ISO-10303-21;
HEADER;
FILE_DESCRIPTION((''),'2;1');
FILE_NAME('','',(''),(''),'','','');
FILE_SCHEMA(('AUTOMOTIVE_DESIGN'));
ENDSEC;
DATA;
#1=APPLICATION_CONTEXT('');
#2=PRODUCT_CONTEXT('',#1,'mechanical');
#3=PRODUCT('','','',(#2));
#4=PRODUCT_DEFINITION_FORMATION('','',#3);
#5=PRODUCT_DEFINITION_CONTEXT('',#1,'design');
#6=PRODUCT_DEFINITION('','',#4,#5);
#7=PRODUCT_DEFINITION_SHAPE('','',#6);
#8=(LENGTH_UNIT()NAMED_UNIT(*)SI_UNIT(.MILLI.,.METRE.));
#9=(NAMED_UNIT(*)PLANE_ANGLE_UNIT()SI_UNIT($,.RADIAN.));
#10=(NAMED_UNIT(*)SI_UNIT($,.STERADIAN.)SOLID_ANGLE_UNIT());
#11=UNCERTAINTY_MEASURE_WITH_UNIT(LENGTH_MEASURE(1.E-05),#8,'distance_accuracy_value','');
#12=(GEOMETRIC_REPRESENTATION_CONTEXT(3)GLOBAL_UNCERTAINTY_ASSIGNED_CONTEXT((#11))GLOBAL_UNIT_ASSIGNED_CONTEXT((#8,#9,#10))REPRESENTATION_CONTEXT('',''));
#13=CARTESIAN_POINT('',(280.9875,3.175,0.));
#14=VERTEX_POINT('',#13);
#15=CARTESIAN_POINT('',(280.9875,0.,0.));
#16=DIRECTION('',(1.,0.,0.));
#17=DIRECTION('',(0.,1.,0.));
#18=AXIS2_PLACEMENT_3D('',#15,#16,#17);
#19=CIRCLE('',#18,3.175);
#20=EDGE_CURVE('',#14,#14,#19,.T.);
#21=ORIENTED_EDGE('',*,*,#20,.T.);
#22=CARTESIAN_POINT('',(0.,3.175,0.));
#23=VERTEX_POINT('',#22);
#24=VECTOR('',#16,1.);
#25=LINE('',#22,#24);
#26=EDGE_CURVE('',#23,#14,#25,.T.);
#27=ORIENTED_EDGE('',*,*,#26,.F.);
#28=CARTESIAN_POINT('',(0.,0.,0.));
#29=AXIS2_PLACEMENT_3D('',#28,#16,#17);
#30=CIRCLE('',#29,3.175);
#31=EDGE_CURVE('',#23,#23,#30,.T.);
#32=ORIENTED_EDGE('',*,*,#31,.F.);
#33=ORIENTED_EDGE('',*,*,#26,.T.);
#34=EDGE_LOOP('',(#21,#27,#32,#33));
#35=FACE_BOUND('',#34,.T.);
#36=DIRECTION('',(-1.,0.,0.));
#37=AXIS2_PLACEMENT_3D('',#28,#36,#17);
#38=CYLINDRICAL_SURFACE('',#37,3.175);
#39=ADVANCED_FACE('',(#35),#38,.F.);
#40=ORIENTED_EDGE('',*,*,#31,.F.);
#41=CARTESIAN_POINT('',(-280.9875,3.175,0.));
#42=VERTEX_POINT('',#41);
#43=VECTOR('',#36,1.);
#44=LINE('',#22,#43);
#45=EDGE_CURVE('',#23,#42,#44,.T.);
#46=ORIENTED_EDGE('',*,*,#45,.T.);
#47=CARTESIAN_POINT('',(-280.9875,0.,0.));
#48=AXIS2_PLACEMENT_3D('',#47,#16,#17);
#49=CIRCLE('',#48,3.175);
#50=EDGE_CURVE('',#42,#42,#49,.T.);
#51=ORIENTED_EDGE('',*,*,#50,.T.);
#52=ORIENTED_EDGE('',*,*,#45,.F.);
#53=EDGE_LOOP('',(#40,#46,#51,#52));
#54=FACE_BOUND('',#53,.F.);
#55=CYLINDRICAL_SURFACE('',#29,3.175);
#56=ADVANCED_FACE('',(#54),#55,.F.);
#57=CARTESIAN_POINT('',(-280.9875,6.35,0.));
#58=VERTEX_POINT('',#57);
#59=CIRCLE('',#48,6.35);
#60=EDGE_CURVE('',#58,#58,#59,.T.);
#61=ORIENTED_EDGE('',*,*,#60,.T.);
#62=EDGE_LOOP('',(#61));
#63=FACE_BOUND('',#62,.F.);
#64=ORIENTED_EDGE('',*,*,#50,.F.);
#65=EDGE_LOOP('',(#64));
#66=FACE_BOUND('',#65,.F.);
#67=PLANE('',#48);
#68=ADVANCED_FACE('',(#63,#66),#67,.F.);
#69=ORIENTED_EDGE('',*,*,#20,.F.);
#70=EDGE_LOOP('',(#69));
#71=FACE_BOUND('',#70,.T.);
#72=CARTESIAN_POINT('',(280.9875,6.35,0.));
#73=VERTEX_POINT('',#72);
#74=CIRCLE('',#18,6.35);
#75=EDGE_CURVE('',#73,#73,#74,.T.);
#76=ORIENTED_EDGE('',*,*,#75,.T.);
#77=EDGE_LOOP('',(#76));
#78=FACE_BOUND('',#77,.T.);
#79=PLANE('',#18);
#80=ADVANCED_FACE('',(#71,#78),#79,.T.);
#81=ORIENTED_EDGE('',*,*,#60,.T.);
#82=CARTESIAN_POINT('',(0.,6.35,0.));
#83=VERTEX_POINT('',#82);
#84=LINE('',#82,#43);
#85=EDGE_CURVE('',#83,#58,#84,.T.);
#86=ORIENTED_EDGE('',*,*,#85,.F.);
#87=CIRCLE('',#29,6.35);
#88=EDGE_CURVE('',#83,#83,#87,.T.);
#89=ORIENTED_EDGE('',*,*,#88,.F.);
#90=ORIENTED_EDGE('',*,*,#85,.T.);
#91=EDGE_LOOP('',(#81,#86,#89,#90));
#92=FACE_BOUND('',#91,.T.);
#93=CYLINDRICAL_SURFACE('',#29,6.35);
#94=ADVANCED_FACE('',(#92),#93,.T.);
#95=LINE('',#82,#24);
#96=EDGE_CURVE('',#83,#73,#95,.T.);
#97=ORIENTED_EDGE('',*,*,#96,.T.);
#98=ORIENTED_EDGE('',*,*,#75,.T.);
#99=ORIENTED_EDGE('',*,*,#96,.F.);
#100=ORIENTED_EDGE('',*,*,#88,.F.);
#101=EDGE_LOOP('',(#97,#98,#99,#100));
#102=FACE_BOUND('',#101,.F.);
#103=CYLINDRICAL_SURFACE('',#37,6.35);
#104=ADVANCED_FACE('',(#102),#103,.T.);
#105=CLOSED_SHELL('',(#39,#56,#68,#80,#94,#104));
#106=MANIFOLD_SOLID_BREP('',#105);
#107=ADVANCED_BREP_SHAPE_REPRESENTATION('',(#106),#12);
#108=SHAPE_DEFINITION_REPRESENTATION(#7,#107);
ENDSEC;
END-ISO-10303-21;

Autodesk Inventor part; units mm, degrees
ref_plane "YZ Plane" through (0, 0, 0) normal (1, 0, 0) x (0, 1, 0)
ref_plane "XZ Plane" through (0, 0, 0) normal (0, 1, 0) x (-1, 0, 0)
ref_plane "XY Plane" through (0, 0, 0) normal (0, 0, 1) x (1, 0, 0)
sketch "Sketch1" plane through (0, 0, 0) normal (1, 0, 0) x (0, 1, 0)
  circle A0 centre (0, 0) radius 6.35
  circle A1 centre (0, 0) radius 3.175
  dimension "d0" = 12.7
  dimension "d1" = 6.35
extrude "Extrusion1" add sketch "Sketch1" along normal mid plane 561.975
properties part number "Shorter Churro Cross Brace"
